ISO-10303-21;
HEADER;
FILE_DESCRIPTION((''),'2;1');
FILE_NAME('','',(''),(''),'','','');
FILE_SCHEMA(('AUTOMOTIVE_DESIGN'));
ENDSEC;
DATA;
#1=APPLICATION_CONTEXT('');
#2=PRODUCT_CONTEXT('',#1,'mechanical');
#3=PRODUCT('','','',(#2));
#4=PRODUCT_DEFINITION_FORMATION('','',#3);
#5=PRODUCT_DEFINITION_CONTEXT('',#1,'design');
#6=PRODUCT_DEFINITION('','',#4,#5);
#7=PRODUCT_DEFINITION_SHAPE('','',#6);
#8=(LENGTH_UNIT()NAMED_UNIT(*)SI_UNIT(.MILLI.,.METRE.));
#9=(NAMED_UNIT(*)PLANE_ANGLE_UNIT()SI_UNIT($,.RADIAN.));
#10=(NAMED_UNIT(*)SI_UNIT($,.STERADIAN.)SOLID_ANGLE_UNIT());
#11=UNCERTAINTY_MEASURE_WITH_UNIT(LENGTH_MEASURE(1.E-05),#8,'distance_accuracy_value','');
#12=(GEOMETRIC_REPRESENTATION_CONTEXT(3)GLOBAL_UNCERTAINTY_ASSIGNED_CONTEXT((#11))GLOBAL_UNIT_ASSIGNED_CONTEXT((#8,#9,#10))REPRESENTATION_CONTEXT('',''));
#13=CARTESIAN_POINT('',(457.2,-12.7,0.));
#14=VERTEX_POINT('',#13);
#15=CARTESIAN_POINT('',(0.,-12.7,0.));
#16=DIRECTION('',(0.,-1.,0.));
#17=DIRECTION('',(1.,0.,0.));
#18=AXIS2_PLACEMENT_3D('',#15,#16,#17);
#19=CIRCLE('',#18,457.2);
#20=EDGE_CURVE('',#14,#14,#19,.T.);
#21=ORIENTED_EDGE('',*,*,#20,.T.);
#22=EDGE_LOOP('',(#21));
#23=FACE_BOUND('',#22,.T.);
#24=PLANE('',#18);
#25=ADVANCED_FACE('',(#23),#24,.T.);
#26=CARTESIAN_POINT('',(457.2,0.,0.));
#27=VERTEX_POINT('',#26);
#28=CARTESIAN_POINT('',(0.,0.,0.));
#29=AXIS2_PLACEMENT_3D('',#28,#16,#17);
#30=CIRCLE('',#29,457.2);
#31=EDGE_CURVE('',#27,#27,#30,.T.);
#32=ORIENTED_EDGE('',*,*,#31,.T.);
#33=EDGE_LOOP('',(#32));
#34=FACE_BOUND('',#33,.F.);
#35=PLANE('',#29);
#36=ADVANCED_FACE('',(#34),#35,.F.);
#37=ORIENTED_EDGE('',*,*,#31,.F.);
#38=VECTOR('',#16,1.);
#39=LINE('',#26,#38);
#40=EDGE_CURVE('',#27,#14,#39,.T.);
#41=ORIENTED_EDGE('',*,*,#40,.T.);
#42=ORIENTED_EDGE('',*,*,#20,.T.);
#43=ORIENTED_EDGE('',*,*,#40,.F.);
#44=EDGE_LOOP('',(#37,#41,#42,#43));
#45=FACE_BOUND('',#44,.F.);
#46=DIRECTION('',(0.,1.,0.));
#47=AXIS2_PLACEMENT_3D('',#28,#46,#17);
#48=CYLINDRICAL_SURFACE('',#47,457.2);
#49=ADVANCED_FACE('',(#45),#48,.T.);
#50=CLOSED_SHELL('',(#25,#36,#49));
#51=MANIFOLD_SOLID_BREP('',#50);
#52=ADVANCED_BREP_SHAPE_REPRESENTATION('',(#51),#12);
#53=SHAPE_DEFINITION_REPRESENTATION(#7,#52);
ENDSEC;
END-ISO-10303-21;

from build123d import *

# Parameters (mm, degrees)
F0_R      = 457.2
F1_DEPTH  = 25.4
F1_FACE_R = 457.2
F2_DEPTH  = 12.7


with BuildPart() as f1:
    # F0 (on Front) → F1 (new body)
    with BuildSketch(Plane.XZ):
        Circle(F0_R)
    extrude(amount=F1_DEPTH)

    # F1_face (on face) → F2 (cut)
    with BuildSketch(Plane.XZ.offset(25.4)):
        Circle(F1_FACE_R)
    extrude(amount=-F2_DEPTH, mode=Mode.SUBTRACT)


solid = f1.part
